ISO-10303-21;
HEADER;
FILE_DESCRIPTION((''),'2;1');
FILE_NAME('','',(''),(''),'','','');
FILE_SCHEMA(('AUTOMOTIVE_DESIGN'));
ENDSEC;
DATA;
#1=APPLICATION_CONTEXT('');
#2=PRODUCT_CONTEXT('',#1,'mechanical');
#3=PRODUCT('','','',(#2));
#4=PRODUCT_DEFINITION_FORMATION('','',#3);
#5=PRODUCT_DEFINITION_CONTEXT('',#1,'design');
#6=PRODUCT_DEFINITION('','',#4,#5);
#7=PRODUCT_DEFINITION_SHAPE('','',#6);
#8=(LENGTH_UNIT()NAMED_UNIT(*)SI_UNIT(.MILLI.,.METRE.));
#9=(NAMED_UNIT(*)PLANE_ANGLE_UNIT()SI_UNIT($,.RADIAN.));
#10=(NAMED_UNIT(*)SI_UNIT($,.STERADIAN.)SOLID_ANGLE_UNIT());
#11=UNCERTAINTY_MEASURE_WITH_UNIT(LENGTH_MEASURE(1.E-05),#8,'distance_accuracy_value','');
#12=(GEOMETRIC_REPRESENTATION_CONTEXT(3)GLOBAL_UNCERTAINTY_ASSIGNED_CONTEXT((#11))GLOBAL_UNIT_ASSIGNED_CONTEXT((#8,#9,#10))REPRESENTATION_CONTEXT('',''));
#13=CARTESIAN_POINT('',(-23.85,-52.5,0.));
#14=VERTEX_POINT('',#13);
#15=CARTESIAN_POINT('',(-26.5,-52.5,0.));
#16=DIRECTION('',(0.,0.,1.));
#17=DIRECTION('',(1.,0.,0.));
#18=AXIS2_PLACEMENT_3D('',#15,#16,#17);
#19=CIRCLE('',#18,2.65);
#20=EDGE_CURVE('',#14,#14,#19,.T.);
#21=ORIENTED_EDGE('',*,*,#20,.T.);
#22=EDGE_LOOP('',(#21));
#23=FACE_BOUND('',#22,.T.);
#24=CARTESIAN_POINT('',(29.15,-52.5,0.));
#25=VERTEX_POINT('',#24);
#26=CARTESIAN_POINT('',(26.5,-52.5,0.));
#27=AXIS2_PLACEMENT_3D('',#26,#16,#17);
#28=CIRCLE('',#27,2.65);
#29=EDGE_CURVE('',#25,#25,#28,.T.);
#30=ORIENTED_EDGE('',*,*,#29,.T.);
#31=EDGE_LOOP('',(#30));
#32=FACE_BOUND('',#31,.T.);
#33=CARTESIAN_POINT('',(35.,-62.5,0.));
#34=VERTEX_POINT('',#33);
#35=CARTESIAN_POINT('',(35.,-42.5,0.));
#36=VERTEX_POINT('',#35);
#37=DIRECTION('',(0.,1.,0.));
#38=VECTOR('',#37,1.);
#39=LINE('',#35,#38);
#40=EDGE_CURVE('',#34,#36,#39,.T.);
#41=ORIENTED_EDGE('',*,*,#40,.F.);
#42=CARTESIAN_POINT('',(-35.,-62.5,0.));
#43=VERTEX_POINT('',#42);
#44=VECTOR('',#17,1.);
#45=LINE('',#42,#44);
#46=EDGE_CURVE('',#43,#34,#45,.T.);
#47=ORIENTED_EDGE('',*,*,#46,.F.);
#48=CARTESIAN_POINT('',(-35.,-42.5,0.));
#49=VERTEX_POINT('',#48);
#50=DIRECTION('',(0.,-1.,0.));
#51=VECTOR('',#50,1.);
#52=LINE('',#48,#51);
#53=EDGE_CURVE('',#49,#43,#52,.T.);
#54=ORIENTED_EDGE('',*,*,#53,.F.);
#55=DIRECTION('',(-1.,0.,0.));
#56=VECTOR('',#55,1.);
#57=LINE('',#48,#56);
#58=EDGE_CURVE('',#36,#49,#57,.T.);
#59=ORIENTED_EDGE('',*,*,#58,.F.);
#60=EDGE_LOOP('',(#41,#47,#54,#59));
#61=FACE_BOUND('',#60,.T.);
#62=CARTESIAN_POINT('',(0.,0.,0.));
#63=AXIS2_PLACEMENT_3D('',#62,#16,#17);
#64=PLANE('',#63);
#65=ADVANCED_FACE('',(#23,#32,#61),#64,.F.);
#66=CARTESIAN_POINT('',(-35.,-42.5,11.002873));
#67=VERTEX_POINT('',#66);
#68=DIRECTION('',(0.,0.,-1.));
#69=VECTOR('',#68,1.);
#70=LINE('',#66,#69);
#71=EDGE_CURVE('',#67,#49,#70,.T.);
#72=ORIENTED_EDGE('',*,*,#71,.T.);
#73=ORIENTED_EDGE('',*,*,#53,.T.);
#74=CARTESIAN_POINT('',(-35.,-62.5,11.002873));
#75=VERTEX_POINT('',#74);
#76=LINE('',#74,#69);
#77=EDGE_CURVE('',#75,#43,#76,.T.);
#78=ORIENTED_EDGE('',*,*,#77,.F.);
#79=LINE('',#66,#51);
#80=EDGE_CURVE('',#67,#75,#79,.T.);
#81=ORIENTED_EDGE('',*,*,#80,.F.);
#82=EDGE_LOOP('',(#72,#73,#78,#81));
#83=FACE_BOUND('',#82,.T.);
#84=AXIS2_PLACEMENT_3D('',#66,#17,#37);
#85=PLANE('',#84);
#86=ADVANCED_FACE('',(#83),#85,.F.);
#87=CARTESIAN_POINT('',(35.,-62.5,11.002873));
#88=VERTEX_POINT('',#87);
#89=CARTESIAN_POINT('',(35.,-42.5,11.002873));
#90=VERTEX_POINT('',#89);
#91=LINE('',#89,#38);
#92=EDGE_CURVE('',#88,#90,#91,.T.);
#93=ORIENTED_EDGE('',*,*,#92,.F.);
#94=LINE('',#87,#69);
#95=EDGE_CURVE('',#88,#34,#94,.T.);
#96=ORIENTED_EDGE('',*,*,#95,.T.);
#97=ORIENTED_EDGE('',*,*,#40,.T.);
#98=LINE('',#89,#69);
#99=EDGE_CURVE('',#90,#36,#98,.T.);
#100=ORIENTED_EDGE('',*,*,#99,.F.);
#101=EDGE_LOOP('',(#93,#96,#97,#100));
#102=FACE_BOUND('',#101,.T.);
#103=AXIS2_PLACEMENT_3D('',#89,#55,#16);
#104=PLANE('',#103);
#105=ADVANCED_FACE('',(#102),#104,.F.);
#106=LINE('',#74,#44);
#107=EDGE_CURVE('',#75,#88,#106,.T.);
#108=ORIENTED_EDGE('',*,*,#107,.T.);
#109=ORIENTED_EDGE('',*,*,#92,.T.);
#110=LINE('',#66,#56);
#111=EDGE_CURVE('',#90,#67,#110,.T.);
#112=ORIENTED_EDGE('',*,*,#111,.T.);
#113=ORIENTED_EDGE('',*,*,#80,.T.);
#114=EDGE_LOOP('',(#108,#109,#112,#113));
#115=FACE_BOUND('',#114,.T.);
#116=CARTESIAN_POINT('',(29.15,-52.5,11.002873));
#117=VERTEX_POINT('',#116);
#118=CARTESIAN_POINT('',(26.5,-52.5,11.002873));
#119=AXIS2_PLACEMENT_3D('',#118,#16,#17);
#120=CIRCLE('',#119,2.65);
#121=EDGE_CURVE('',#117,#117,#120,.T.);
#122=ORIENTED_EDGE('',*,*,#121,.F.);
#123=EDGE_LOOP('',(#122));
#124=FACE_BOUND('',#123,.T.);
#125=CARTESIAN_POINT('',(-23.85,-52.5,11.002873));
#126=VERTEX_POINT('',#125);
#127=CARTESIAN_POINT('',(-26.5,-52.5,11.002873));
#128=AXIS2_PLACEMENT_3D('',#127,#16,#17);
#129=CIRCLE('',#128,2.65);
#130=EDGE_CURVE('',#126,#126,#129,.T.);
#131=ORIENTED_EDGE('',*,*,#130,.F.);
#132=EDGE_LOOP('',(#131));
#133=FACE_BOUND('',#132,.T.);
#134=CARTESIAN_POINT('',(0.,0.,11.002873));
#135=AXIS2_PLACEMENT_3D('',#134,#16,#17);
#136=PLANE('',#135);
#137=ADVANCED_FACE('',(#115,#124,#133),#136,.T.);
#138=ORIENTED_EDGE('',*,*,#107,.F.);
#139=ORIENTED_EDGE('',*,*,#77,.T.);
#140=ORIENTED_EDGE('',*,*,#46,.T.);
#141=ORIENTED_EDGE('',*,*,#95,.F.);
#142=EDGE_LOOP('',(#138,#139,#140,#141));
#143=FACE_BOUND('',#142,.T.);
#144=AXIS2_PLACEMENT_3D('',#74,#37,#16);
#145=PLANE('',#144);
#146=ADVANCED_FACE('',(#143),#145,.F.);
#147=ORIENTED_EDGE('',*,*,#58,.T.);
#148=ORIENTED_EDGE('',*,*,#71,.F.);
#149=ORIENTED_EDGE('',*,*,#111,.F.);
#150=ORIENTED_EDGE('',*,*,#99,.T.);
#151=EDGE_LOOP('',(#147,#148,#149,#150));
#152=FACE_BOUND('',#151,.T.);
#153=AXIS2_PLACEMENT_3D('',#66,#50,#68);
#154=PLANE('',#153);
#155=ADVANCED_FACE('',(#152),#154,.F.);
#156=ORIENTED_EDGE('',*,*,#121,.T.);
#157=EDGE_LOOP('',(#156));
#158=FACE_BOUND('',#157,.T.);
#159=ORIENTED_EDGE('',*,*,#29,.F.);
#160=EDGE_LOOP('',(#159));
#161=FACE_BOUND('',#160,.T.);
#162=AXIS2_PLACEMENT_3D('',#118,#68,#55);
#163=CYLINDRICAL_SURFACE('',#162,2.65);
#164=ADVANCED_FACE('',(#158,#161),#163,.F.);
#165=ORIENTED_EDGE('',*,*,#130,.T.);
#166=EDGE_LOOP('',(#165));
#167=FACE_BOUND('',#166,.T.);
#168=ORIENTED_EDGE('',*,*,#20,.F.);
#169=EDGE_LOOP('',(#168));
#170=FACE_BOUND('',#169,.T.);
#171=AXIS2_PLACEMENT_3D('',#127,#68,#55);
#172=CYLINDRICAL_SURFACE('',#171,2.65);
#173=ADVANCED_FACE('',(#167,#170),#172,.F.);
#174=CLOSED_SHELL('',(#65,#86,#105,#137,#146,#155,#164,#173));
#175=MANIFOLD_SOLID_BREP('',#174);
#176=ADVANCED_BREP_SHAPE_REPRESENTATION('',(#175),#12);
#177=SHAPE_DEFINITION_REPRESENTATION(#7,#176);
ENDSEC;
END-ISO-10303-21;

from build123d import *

# Parameters (mm, degrees)
SKETCH1_W      = 70
SKETCH1_H      = 20
SKETCH1_R      = 2.65
EXTRUDE1_DEPTH = 11.002873


with BuildPart() as part:
    # Sketch1 → Extrude1 (new body)
    with BuildSketch(Plane.XY):
        with Locations((0, -52.5)):
            Rectangle(SKETCH1_W, SKETCH1_H)
        with Locations((26.5, -52.5)):
            Circle(SKETCH1_R, mode=Mode.SUBTRACT)
        with Locations((-26.5, -52.5)):
            Circle(SKETCH1_R, mode=Mode.SUBTRACT)
    extrude(amount=EXTRUDE1_DEPTH)


solid = part.part
